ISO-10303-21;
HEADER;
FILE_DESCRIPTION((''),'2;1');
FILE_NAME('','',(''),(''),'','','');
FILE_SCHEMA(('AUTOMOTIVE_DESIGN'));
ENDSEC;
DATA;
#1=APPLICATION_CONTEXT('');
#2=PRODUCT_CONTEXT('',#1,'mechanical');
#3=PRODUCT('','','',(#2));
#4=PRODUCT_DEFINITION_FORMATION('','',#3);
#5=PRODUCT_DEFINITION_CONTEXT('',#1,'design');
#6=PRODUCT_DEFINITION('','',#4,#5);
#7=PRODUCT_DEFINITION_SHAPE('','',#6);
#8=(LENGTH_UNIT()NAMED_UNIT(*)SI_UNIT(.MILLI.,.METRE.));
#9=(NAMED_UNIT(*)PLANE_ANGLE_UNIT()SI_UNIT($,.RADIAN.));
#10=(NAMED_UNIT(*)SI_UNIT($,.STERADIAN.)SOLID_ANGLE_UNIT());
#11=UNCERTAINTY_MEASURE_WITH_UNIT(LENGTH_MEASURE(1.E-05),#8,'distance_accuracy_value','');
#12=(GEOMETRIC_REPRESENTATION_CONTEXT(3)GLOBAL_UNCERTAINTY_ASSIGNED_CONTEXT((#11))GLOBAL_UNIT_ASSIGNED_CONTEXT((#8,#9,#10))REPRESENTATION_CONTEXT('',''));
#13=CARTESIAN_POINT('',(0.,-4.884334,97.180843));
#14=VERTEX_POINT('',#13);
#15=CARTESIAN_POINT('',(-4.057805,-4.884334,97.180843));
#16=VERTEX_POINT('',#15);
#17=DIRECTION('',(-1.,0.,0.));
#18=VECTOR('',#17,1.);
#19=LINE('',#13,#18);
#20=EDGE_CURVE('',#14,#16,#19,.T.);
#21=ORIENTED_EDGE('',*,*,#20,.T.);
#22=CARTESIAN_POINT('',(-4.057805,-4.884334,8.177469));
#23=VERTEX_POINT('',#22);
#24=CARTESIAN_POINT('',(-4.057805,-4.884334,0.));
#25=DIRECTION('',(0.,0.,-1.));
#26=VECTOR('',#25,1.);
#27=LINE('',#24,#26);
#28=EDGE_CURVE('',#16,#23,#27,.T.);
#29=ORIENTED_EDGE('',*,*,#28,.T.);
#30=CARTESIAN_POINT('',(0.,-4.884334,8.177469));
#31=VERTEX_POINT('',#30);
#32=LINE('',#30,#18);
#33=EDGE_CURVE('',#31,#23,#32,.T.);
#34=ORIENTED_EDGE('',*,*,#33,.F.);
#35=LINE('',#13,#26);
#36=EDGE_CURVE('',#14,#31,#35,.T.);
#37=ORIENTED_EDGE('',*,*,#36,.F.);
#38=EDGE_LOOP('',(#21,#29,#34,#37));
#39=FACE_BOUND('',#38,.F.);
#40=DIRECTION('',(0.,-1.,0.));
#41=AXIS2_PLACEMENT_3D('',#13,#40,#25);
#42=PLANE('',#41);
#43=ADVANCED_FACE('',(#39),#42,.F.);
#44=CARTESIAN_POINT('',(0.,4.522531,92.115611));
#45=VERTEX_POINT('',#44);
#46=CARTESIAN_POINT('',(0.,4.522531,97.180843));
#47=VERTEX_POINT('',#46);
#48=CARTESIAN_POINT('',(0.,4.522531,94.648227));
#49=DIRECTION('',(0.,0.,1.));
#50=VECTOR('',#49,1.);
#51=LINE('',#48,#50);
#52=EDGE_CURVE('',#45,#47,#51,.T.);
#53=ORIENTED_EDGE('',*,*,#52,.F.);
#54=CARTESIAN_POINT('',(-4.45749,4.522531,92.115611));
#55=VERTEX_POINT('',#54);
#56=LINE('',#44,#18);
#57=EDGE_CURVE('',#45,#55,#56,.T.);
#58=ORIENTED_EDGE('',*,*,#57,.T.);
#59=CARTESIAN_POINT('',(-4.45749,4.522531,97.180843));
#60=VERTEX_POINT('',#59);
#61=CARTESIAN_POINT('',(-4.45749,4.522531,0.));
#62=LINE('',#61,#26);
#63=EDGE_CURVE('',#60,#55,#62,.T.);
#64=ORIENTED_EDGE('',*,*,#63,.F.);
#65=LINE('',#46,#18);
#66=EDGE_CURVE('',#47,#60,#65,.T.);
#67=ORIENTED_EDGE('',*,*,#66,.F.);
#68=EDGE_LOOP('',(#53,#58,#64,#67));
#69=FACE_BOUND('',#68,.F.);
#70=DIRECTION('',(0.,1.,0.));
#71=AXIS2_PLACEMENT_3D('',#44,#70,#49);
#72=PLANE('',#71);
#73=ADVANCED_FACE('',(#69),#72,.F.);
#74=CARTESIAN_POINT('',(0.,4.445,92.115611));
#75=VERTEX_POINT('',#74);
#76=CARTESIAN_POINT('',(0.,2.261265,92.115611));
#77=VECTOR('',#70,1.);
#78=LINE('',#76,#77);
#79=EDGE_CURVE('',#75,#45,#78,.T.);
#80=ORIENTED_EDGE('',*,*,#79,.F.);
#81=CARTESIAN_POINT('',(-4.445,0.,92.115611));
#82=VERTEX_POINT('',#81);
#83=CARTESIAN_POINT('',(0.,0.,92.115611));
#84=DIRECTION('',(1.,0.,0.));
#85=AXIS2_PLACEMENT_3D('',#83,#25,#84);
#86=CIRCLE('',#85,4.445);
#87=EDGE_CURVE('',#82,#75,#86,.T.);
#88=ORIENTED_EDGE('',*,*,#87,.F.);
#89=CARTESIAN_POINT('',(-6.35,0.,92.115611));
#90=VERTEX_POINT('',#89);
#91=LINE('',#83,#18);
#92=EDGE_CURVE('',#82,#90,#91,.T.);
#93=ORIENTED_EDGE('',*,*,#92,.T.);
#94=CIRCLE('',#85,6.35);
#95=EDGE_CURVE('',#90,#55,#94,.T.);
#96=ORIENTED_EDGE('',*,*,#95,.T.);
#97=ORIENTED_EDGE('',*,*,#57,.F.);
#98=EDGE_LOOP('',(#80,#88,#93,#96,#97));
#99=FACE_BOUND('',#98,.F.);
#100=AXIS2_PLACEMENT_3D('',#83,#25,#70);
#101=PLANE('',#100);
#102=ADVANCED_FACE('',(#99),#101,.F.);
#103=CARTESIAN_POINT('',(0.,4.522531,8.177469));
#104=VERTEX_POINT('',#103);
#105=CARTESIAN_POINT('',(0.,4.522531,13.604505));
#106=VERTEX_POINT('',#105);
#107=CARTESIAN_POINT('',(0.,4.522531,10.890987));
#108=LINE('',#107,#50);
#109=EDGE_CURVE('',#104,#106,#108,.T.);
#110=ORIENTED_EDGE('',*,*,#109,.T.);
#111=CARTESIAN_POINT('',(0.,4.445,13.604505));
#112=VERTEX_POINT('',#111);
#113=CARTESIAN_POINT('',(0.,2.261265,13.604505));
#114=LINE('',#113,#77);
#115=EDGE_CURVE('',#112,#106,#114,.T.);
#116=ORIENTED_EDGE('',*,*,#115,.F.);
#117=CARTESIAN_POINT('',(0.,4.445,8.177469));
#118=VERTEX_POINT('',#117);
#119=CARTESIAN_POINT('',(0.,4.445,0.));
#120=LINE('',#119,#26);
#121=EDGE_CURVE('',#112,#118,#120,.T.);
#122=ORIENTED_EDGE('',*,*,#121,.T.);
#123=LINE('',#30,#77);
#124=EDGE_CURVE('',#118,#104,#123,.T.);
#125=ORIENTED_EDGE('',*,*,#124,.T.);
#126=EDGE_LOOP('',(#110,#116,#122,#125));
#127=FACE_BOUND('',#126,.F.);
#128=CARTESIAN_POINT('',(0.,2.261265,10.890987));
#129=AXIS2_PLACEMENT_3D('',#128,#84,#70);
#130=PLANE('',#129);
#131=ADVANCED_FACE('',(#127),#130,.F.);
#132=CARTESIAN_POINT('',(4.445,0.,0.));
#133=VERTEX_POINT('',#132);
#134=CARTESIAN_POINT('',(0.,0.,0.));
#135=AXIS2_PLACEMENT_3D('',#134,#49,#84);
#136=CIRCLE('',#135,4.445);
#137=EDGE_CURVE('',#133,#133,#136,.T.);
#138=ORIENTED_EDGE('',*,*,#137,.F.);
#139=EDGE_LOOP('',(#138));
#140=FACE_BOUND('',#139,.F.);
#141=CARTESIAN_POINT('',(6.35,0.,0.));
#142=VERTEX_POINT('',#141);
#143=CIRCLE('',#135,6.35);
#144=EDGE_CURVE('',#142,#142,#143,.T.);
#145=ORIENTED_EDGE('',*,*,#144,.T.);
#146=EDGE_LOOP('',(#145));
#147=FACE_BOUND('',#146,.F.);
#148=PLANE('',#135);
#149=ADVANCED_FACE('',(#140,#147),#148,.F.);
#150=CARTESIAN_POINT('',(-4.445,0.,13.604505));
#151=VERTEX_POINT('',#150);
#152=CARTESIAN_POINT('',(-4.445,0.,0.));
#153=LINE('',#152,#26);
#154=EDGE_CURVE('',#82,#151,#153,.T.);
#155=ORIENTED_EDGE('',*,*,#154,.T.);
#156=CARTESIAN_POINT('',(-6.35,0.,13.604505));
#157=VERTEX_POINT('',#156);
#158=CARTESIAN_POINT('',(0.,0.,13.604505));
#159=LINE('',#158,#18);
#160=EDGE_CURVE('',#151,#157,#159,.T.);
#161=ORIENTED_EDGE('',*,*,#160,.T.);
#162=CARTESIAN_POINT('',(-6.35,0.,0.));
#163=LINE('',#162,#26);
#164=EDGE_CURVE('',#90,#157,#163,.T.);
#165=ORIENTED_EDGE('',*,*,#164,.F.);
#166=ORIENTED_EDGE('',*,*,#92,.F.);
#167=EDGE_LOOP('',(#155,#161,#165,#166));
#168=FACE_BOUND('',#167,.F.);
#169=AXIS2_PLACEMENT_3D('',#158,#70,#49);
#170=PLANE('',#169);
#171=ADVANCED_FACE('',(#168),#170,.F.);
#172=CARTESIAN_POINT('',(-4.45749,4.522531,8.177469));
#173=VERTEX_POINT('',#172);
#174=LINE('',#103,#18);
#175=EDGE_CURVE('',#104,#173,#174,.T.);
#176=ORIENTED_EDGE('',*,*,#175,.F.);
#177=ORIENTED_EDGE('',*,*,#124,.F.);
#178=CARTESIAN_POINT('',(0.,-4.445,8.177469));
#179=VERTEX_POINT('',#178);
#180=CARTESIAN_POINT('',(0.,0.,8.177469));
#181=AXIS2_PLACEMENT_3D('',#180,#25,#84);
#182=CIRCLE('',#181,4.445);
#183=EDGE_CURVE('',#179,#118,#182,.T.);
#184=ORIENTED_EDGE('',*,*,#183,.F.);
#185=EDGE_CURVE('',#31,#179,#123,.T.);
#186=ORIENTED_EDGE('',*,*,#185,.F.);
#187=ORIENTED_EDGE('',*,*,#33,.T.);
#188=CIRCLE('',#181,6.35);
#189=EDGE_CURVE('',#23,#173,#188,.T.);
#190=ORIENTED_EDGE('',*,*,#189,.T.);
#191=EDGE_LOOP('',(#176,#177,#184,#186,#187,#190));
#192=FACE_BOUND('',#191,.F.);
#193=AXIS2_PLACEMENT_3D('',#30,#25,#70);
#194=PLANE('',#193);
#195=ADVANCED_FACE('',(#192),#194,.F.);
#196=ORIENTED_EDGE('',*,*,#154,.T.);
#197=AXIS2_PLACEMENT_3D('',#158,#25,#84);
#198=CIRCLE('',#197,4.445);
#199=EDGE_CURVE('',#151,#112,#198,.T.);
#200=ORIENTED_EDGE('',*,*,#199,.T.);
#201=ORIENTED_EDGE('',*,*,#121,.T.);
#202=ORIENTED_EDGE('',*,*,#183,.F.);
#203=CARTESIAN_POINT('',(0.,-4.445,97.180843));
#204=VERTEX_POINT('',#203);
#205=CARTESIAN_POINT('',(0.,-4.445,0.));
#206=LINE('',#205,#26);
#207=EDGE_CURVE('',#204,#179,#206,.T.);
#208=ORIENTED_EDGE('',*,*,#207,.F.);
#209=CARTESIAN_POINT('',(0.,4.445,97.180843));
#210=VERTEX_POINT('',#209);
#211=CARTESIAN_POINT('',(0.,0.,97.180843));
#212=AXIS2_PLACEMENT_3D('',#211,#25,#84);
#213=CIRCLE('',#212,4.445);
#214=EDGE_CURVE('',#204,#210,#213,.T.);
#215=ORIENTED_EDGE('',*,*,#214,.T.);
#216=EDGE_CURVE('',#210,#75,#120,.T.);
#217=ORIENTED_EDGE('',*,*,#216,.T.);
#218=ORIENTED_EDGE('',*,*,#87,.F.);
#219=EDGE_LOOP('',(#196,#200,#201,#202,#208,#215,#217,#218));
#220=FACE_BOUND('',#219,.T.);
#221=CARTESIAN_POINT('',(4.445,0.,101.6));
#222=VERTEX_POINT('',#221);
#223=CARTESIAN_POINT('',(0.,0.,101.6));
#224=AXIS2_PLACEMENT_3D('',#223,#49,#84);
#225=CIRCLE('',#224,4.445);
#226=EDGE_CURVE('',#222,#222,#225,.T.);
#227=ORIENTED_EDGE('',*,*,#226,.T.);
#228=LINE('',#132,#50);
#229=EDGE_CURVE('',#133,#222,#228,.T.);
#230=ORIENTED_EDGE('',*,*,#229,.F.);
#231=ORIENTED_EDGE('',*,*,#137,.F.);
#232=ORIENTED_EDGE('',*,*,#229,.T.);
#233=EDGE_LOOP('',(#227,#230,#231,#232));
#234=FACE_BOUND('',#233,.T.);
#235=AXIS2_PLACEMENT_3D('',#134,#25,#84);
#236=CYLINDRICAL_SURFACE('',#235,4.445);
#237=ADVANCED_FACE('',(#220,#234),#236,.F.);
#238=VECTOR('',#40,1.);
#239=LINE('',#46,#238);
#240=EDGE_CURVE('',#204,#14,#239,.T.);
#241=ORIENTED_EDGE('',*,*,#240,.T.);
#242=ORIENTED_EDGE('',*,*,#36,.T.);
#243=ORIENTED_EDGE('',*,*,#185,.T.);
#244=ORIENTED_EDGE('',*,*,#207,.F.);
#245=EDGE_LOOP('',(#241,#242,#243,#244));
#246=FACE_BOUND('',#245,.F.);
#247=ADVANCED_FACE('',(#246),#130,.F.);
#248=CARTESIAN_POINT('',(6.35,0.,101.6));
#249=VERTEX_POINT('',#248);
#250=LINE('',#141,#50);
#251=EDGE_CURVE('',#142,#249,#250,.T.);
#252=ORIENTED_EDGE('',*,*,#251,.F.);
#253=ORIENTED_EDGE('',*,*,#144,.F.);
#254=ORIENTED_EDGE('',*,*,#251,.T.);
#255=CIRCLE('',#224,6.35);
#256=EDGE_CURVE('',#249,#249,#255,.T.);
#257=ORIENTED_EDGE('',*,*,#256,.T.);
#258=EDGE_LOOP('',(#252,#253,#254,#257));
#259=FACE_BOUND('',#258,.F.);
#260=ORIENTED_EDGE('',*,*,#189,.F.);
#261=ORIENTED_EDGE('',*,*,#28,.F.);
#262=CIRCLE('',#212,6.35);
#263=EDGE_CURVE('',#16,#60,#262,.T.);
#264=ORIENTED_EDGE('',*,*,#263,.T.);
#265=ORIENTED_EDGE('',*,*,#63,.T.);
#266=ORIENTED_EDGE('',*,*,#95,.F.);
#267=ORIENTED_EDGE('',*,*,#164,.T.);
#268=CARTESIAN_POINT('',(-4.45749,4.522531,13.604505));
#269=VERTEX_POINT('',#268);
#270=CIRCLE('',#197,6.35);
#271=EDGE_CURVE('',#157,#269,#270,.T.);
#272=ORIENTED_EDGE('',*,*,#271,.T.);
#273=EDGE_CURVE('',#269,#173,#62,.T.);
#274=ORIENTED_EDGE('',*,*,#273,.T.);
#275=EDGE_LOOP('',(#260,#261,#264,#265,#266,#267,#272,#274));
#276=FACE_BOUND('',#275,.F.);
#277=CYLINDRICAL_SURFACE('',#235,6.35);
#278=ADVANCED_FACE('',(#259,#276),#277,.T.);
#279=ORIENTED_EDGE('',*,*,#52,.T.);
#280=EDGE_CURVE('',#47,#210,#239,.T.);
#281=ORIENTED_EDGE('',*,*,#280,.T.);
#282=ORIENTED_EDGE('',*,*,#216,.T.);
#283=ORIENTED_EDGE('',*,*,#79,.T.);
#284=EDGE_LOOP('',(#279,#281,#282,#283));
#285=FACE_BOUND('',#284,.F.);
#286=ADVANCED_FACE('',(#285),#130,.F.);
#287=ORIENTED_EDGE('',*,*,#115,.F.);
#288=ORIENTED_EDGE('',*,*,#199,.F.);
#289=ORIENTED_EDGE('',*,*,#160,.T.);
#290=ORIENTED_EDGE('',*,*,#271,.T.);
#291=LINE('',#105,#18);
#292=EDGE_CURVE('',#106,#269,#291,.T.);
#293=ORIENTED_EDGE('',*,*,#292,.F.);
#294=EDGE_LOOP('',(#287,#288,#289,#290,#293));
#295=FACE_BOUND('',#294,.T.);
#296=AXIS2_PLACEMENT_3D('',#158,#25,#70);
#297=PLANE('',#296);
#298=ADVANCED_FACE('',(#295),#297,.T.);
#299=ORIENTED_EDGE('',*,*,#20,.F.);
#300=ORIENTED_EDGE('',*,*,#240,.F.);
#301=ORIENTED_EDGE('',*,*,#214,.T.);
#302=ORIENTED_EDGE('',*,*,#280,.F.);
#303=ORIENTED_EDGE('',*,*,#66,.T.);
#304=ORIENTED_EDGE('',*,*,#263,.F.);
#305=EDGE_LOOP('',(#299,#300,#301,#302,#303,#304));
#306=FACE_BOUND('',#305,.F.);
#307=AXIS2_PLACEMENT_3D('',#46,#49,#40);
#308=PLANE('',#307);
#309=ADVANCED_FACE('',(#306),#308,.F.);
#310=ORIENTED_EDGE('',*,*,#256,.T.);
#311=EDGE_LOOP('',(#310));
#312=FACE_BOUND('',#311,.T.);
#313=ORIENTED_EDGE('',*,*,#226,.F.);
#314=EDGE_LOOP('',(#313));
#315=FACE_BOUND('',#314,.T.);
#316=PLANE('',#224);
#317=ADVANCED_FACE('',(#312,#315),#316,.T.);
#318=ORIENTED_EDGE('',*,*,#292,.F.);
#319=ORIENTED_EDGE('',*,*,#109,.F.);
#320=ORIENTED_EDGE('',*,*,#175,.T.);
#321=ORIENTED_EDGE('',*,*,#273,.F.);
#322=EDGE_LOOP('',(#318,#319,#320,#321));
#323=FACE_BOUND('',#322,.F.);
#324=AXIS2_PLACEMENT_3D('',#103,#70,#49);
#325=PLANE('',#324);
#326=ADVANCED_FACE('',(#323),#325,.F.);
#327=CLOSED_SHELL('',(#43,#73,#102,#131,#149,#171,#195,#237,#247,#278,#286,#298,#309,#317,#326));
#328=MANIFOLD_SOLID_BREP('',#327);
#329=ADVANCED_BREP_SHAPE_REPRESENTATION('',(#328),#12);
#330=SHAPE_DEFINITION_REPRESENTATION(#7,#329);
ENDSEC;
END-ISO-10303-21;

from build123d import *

# Parameters (mm, degrees)
F0_R     = 6.35
F0_R_2   = 4.445
F1_DEPTH = 101.6
F2_W     = 4.522531
F2_H     = 5.427036
F2_H_2   = 5.065232
F3_DEPTH = 25.4


with BuildPart() as f1:
    # F0 (on Top) → F1 (new body)
    with BuildSketch(Plane.XY):
        Circle(F0_R)
        Circle(F0_R_2, mode=Mode.SUBTRACT)
    extrude(amount=F1_DEPTH)

    # F2 (on Right) → F3 (cut)
    with BuildSketch(Plane.YZ):
        with Locations((2.261265, 10.890987)):
            Rectangle(F2_W, F2_H)
        Polygon((-4.884334, 8.177469), (0, 8.177469), (0, 13.604505), (0, 92.115611), (0, 97.180843), (-4.884334, 97.180843), align=None)
        with Locations((2.261265, 94.648227)):
            Rectangle(F2_W, F2_H_2)
    extrude(amount=-F3_DEPTH, mode=Mode.SUBTRACT)


solid = f1.part
